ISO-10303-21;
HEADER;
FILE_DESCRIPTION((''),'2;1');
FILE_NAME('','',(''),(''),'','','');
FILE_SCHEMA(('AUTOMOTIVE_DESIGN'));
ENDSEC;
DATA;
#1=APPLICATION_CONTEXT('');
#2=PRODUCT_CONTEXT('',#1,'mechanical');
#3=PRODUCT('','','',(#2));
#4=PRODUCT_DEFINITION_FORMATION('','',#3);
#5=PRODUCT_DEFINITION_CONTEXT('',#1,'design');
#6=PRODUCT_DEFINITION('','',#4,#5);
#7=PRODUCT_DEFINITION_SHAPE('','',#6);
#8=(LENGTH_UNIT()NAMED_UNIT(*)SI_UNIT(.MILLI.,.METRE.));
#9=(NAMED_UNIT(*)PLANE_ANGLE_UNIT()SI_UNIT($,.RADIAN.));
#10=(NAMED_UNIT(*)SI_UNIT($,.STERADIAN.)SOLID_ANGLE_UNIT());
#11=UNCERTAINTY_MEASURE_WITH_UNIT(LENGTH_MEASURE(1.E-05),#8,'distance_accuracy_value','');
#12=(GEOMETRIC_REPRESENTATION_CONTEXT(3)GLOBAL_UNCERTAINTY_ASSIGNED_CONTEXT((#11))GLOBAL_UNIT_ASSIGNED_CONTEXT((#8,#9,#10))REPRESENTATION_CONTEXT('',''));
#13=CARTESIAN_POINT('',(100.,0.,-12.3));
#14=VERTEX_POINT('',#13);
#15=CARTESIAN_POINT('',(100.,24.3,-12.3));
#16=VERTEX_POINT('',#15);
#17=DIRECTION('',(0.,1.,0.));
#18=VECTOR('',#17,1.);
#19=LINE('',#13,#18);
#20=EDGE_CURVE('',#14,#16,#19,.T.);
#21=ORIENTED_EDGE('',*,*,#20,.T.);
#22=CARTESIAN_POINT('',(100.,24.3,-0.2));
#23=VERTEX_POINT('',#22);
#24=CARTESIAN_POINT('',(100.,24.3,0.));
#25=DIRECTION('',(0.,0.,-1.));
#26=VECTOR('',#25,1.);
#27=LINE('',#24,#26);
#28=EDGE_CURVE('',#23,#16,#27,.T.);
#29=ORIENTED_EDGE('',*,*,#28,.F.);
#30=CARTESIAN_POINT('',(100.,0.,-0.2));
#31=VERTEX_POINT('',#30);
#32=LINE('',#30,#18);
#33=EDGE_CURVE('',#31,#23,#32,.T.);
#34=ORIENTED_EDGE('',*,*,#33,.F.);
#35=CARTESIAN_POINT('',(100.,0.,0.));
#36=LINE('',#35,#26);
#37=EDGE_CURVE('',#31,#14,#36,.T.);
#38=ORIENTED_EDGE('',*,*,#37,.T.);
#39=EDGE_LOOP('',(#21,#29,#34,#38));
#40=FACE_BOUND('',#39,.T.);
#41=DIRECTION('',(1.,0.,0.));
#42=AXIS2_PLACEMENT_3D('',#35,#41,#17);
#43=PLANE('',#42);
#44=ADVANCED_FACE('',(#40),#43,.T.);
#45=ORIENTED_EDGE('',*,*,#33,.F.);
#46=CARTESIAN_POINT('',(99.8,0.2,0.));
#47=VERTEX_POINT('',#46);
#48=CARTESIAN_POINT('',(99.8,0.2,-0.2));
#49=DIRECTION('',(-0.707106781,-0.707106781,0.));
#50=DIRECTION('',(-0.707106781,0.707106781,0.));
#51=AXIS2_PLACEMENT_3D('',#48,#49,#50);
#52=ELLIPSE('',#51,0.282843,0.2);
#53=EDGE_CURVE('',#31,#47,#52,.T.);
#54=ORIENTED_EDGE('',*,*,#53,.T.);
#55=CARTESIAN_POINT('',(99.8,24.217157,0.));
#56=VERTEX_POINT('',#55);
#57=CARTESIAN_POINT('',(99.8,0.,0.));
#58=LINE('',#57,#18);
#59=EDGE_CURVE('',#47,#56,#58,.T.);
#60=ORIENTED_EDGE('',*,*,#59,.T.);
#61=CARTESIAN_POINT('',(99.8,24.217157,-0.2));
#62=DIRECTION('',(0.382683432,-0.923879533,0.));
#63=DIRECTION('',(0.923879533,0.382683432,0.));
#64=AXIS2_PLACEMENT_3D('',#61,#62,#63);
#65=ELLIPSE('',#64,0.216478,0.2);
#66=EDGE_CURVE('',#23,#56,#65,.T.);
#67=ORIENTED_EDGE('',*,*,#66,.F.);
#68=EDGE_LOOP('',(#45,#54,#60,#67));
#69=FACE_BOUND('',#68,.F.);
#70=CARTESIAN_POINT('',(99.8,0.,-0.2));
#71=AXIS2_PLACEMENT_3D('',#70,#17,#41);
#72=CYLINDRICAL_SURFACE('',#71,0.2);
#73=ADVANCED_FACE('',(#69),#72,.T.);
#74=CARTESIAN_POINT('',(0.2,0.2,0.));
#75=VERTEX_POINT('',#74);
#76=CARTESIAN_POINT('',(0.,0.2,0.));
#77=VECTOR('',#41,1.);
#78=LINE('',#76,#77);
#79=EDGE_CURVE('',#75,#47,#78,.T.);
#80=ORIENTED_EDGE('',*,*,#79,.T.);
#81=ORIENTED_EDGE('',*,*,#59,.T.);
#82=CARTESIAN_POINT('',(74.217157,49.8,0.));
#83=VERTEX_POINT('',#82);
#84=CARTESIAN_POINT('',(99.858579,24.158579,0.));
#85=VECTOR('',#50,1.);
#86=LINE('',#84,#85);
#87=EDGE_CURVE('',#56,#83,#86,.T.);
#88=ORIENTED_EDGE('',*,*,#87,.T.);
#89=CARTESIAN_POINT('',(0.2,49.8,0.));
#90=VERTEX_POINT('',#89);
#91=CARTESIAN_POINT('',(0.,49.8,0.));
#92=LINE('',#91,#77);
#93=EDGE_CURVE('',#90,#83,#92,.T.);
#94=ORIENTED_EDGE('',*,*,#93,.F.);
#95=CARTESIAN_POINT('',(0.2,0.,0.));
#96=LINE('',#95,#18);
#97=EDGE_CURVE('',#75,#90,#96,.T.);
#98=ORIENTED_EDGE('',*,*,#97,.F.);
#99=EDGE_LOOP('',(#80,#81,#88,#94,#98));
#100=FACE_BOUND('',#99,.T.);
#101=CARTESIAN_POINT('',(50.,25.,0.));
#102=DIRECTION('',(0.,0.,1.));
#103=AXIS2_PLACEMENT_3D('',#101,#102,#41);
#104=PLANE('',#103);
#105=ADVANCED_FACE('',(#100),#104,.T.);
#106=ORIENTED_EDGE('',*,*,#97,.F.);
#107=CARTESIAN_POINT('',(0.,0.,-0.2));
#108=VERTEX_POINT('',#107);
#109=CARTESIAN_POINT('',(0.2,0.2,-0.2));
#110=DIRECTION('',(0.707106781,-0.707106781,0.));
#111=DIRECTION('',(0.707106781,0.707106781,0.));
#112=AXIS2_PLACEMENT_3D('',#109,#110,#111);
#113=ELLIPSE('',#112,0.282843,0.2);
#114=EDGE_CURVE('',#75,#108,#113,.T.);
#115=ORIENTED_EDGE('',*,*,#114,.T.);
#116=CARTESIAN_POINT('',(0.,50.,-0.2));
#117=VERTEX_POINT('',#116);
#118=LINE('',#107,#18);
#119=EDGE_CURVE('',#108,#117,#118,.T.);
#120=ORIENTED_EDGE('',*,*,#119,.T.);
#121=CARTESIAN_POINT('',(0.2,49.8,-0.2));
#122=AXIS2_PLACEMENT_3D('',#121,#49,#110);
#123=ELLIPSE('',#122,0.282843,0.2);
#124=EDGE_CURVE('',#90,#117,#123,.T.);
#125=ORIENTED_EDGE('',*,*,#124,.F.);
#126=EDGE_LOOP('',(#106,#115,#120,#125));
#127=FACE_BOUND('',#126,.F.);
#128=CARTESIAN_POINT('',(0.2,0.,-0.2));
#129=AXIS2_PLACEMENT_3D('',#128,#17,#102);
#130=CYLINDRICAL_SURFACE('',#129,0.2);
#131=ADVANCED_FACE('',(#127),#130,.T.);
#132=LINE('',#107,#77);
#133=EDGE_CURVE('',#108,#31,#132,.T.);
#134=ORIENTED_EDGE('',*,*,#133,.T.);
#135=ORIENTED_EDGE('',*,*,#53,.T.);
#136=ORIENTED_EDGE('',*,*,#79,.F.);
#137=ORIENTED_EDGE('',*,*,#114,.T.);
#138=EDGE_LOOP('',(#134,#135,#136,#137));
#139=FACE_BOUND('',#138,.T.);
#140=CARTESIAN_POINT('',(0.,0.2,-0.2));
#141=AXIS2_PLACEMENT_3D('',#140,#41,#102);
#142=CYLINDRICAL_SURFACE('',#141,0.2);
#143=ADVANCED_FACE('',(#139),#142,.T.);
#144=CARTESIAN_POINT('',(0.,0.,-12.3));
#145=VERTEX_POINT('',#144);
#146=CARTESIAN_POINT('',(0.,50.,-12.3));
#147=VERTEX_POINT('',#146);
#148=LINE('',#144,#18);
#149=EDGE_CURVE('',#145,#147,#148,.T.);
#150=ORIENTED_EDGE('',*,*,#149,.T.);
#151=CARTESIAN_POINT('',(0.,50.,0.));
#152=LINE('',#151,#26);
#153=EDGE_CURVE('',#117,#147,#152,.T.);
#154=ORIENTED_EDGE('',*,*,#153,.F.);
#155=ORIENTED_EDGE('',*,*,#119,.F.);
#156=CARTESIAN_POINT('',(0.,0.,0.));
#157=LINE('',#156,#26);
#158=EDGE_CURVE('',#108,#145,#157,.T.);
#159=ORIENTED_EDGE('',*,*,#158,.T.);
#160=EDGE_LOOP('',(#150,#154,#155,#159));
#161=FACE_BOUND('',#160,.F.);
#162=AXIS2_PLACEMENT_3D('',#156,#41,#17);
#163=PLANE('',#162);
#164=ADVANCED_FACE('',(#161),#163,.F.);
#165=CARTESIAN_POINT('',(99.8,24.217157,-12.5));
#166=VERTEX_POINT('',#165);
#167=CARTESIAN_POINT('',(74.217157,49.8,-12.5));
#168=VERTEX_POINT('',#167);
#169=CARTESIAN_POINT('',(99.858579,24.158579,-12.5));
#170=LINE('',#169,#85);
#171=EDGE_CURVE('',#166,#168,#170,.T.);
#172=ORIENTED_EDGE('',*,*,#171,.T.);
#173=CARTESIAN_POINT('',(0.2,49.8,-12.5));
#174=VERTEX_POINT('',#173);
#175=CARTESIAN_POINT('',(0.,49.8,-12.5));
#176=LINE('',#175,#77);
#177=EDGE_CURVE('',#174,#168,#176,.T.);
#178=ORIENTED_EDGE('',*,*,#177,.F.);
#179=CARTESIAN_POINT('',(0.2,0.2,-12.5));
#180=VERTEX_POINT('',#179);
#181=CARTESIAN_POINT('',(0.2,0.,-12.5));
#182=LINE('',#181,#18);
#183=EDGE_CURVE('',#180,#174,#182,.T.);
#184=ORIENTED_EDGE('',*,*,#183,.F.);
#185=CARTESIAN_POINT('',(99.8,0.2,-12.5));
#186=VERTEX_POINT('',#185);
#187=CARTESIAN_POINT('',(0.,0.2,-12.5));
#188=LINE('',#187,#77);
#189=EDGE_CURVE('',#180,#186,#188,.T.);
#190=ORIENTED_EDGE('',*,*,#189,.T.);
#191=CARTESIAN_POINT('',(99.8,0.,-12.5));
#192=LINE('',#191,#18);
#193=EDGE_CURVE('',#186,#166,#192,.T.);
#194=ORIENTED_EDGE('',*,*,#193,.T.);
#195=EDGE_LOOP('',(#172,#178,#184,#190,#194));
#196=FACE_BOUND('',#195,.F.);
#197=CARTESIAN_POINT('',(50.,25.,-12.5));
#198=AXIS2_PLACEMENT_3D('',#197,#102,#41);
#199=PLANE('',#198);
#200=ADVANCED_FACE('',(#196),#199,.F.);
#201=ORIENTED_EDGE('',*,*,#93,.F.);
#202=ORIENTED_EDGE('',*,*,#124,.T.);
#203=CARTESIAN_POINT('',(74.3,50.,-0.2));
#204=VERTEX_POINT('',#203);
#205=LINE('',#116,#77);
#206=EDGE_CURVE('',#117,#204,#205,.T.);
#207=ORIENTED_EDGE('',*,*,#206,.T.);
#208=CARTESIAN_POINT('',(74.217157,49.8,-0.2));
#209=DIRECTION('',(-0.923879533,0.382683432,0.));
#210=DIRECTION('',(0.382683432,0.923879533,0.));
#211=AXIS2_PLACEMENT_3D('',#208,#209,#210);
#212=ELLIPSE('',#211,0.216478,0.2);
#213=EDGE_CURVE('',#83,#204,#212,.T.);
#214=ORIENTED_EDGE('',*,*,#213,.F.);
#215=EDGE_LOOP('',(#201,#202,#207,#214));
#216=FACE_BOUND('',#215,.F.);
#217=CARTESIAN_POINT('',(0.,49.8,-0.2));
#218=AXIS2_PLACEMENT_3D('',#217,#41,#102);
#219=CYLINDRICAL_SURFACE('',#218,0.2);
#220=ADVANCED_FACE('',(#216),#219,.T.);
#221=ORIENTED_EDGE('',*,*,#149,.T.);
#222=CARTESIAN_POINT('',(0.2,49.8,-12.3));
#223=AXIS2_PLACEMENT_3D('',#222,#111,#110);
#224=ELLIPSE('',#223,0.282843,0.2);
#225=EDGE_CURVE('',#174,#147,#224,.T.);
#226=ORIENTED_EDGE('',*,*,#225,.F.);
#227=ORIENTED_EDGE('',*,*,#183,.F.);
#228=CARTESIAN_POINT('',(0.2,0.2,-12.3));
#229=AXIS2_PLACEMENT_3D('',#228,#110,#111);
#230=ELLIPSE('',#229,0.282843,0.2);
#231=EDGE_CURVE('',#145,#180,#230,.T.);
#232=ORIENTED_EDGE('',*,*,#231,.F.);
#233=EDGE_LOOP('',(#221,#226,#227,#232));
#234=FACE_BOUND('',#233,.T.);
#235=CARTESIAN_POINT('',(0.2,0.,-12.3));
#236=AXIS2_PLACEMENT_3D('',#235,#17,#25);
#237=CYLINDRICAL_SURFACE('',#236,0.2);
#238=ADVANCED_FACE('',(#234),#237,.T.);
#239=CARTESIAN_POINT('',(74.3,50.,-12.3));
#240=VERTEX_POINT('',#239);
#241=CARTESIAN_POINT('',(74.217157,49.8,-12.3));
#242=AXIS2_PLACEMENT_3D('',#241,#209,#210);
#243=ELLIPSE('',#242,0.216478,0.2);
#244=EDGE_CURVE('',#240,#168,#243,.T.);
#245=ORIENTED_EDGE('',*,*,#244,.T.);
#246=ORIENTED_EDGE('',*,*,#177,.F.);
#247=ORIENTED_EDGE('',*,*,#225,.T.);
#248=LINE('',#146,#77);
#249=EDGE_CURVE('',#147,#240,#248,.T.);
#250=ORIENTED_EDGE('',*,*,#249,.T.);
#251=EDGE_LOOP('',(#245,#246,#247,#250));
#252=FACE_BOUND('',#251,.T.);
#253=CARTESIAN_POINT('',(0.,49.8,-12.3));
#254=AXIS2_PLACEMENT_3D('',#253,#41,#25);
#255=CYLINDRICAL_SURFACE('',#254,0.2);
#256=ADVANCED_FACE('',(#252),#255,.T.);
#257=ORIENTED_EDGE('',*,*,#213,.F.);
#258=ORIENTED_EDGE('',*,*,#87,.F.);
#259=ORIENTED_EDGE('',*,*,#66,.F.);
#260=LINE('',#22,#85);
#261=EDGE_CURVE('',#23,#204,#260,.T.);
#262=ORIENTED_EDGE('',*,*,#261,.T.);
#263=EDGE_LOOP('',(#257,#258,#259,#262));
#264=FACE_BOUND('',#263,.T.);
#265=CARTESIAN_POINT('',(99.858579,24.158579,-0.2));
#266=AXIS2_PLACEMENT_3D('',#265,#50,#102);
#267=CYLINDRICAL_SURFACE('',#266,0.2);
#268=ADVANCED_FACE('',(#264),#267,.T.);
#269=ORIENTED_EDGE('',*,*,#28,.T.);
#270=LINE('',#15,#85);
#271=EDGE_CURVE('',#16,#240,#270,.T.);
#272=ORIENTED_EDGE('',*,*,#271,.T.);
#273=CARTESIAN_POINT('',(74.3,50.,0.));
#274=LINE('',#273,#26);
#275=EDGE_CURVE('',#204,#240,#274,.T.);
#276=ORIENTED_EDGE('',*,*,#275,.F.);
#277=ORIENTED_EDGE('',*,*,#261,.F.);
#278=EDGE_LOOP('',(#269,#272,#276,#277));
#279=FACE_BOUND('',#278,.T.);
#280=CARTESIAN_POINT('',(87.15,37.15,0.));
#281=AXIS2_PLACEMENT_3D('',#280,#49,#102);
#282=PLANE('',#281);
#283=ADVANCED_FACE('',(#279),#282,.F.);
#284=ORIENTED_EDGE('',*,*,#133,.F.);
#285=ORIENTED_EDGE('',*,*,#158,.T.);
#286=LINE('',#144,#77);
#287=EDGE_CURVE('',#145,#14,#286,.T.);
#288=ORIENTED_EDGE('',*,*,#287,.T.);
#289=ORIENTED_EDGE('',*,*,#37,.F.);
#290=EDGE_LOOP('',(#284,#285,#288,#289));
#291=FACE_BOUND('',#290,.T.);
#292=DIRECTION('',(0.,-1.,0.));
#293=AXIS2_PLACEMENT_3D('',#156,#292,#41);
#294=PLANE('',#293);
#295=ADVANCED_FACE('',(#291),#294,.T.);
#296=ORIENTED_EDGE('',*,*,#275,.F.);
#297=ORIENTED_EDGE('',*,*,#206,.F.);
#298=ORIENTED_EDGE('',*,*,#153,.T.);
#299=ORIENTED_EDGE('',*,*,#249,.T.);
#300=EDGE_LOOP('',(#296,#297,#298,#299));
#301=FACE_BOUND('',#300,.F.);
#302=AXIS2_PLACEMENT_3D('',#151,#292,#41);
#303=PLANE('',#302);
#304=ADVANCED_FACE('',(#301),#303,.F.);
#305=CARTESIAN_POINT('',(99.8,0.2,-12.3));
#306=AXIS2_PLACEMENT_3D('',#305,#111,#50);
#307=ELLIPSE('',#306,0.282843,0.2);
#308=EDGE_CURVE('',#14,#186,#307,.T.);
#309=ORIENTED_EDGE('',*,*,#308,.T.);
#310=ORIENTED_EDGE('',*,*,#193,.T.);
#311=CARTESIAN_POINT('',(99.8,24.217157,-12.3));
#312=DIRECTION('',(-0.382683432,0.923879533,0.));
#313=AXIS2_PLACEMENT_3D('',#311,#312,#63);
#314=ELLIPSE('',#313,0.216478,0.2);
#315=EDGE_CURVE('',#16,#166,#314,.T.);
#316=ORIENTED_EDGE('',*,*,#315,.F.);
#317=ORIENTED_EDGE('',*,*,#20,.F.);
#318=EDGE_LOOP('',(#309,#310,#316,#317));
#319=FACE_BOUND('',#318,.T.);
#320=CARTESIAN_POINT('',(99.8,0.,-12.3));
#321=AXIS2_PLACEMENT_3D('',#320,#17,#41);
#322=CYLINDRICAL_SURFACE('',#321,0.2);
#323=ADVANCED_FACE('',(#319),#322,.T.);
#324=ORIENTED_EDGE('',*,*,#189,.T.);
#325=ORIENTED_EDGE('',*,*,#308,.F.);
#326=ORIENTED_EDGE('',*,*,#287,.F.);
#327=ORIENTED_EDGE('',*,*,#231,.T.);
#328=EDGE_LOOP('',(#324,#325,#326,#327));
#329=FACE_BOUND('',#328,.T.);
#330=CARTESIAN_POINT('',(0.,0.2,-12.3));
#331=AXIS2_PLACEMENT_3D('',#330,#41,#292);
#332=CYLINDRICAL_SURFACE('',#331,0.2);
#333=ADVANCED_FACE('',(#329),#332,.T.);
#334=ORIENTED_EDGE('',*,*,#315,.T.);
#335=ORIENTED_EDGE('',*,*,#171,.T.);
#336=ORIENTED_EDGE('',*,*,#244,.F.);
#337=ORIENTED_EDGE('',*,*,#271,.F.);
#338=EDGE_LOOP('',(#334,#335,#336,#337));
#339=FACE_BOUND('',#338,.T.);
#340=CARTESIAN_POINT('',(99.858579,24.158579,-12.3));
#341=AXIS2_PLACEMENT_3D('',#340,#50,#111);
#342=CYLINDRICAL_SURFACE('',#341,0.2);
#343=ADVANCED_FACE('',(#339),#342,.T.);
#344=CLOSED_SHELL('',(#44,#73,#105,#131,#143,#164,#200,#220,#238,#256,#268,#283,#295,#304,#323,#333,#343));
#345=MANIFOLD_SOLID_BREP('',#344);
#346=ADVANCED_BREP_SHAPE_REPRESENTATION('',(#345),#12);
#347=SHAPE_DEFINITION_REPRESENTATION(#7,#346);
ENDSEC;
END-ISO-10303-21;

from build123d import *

# Parameters (mm, degrees)
F0_W     = 100
F0_H     = 50
F1_DEPTH = 12.5
F2_SIZE  = 25.7
F3_R     = 0.2


with BuildPart() as f1:
    # F0 (on Top) → F1 (new body)
    with BuildSketch(Plane.XY):
        with Locations((50, 25)):
            Rectangle(F0_W, F0_H)
    extrude(amount=-F1_DEPTH)

    # F2
    f2_edges = [f1.edges().sort_by_distance(p)[0] for p in [
        (100, 50, -6.25),
    ]]
    chamfer(f2_edges, length=F2_SIZE)

    # F3
    f3_edges = [f1.edges().sort_by_distance(p)[0] for p in [
        (100, 12.15, 0),
        (87.15, 37.15, 0),
        (50, 0, 0),
        (37.15, 50, 0),
        (0, 25, 0),
        (100, 12.15, -12.5),
        (87.15, 37.15, -12.5),
        (50, 0, -12.5),
        (37.15, 50, -12.5),
        (0, 25, -12.5),
    ]]
    fillet(f3_edges, radius=F3_R)


solid = f1.part
